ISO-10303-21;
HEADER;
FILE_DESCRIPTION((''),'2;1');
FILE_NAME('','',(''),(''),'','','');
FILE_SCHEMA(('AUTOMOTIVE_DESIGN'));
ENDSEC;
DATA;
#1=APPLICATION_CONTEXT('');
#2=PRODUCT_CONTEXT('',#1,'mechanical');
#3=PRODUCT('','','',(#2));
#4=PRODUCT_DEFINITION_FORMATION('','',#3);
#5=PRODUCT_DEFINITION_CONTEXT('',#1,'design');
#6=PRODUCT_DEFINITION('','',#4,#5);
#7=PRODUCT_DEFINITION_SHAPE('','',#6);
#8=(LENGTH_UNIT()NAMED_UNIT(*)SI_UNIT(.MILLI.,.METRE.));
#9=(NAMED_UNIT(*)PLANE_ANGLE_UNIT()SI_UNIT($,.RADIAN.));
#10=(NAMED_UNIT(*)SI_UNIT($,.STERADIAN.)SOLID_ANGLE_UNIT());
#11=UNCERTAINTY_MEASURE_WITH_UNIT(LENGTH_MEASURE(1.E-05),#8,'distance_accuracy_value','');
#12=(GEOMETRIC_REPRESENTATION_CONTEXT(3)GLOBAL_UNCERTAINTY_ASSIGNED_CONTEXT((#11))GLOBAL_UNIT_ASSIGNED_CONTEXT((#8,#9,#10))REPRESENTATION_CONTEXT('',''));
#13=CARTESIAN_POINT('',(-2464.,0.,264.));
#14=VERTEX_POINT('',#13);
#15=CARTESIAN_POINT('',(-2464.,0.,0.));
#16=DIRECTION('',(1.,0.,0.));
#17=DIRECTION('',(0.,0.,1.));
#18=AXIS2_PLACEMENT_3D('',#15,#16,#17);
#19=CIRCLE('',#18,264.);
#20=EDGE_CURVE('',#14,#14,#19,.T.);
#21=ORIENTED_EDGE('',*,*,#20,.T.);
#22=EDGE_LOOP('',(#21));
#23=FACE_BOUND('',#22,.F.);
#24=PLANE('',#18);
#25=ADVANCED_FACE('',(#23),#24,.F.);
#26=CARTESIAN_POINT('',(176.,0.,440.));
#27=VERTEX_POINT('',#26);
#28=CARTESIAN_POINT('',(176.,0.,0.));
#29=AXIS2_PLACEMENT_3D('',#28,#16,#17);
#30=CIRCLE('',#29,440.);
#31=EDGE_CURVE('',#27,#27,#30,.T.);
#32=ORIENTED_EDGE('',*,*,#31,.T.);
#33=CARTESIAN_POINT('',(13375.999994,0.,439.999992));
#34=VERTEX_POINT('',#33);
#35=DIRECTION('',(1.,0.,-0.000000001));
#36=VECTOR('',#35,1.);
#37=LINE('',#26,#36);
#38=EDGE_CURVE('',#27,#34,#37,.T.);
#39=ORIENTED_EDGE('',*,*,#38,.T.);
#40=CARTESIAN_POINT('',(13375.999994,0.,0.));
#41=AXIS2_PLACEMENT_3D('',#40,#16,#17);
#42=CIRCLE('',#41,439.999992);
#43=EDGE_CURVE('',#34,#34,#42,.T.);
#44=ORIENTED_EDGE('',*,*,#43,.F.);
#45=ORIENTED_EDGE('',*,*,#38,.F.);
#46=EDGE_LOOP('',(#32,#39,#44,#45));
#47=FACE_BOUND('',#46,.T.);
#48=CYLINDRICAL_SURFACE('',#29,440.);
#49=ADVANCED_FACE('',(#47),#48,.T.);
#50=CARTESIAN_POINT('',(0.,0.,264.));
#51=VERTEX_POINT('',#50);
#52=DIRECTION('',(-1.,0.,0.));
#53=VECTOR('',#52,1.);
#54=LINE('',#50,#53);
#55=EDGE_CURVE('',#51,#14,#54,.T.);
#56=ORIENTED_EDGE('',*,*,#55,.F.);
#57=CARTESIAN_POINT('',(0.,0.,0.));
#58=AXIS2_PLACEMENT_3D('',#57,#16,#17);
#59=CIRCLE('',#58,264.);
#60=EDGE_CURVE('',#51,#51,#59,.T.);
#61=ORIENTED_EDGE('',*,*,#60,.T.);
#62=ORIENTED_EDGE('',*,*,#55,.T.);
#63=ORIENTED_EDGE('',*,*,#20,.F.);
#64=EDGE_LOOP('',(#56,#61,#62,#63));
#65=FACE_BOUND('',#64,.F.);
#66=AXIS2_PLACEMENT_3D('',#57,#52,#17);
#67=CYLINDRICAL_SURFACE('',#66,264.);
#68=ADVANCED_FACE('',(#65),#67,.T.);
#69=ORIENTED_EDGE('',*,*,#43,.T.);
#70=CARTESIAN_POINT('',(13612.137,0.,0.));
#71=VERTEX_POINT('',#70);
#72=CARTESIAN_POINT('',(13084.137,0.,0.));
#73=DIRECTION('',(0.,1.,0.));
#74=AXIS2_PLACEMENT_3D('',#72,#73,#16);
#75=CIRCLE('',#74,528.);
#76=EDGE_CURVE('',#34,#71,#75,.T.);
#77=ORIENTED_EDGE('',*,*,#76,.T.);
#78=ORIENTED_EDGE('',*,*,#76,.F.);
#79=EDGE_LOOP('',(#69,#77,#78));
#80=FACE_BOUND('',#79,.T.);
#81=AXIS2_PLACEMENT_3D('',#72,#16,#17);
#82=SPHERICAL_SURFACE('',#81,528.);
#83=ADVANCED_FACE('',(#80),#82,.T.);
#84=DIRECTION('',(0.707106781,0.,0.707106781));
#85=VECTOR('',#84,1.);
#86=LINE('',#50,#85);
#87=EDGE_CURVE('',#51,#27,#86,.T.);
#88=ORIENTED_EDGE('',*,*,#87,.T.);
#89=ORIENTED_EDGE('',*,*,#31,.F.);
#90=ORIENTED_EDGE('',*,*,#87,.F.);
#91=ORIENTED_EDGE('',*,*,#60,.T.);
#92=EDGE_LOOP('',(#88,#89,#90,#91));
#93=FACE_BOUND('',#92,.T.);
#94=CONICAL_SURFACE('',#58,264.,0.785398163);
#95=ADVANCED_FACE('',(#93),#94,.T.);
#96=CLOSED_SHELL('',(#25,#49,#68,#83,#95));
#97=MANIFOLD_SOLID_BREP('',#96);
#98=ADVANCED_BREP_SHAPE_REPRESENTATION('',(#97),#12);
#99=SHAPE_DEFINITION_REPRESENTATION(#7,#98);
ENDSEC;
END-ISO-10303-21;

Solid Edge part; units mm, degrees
sketch "Sketch1" plane through (0, 0, 0) normal (0, -1, 0) x (1, 0, 0)
  line L0 (176, 440) -> (13376, 440)
  arc A0 (13376, 440) -> (13612.137, 0) centre (13084.137, 0) cw
  line L1 (13376, 0) -> (13612.137, 0)
  line L2 (-2464, 0) -> (13376, 0)
  line L3 (-2464, 264) -> (-2464, 0)
  line L4 (0, 264) -> (-2464, 264)
  line L5 (0, 264) -> (176, 440)
revolve "RevolvedProtrusion1" add sketch "Sketch1" angle 360 about axis through (-2464, 0, 0) along (1, 0, 0)
